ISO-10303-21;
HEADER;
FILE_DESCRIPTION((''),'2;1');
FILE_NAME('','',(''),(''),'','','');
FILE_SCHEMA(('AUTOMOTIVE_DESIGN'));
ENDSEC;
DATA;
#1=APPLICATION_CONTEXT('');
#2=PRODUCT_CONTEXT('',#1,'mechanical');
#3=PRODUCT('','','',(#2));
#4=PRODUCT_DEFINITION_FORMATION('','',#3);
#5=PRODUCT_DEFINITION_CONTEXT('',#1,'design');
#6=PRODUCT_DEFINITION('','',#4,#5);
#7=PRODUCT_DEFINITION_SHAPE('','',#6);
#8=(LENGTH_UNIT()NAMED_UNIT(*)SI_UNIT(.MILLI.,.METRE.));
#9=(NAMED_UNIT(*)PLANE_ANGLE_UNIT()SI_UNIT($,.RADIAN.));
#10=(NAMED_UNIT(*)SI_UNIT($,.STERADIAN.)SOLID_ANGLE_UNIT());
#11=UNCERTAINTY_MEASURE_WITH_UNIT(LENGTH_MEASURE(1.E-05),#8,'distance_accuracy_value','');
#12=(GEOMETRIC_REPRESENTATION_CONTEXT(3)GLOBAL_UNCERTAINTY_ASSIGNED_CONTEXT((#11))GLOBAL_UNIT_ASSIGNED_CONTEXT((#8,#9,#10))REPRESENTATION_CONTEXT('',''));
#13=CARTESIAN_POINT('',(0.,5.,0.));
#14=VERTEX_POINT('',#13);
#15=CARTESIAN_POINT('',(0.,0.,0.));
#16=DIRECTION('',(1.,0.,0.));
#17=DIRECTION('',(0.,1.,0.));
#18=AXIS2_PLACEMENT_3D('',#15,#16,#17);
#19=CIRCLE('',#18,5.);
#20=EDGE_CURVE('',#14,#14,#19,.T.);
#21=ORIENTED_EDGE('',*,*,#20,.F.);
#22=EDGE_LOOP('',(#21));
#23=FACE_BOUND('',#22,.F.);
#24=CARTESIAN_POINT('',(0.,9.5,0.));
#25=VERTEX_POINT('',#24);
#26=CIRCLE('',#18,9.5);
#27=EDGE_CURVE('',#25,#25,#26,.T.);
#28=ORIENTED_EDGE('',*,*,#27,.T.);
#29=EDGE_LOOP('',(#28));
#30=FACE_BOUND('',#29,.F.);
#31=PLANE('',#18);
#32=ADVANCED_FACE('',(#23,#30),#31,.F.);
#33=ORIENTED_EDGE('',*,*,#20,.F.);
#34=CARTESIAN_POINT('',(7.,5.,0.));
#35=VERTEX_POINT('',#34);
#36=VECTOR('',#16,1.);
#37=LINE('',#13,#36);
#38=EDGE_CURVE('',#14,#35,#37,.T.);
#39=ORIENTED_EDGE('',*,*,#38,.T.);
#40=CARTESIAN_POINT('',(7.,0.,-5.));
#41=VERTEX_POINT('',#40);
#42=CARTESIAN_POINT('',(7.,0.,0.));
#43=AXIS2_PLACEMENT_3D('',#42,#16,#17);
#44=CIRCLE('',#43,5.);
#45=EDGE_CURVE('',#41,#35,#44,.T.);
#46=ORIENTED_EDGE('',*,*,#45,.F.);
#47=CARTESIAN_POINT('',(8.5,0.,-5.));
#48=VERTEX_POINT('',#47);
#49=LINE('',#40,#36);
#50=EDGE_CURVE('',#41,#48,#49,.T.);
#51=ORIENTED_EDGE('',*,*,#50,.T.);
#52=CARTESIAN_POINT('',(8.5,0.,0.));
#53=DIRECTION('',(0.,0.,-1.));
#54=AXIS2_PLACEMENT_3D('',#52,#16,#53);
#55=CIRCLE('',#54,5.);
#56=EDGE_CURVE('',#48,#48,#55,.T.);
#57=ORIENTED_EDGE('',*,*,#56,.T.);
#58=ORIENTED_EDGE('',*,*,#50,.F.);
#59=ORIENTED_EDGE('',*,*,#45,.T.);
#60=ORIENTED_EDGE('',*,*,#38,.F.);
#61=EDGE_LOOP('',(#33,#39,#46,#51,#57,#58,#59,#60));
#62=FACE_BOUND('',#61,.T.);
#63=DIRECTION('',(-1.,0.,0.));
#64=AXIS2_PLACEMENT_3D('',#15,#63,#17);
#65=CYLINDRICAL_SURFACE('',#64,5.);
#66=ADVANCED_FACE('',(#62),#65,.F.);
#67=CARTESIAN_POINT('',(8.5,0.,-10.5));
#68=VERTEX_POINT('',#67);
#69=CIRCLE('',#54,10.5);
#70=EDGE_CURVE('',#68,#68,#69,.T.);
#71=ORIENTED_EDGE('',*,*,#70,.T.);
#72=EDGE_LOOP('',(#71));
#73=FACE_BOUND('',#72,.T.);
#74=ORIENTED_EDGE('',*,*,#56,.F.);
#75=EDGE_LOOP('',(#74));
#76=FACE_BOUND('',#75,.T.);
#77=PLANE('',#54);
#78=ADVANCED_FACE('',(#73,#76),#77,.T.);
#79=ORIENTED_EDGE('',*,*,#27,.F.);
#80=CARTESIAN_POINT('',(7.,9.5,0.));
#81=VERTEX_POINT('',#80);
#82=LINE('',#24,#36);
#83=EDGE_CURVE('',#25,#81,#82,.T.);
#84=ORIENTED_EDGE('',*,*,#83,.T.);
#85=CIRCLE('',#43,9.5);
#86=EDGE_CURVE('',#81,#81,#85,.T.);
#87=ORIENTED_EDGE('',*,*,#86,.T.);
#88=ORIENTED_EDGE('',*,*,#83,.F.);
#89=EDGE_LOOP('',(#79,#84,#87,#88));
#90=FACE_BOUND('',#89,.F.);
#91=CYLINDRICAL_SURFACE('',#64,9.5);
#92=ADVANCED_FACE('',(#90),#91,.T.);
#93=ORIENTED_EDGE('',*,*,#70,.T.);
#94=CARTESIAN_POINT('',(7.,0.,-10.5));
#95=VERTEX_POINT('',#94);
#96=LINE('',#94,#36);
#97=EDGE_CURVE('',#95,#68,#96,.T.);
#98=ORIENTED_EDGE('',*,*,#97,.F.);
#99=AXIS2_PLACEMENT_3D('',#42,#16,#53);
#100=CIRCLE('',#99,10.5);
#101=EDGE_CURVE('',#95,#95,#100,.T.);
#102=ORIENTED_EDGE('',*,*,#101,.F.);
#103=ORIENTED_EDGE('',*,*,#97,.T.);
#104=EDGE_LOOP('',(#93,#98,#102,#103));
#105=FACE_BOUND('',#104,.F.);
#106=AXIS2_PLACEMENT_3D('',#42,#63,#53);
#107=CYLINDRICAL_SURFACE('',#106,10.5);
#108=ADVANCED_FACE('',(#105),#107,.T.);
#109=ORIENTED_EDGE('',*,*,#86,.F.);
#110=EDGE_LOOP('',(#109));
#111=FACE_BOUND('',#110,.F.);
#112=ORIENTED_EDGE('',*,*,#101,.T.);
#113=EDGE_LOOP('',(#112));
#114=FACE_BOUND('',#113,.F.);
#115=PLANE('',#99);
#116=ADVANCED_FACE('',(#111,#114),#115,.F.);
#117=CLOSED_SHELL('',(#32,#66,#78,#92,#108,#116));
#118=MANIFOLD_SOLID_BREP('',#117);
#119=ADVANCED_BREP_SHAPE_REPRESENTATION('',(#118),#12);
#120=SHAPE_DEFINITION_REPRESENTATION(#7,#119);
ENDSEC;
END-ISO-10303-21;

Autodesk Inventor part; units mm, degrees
ref_plane "YZ Plane" through (0, 0, 0) normal (1, 0, 0) x (0, 1, 0)
ref_plane "XZ Plane" through (0, 0, 0) normal (0, 1, 0) x (-1, 0, 0)
ref_plane "XY Plane" through (0, 0, 0) normal (0, 0, 1) x (1, 0, 0)
sketch "Sketch1" plane through (0, 0, 0) normal (1, 0, 0) x (0, 1, 0)
  circle A0 centre (0, 0) radius 5
  circle A1 centre (0, 0) radius 9.5
  dimension "d0" = 10
  dimension "d1" = 19
extrude "Extrusion1" add sketch "Sketch1" along normal blind 7
sketch "Sketch2" plane through (7, 0, 0) normal (1, 0, 0) x (0, 0, -1)
  circle A0 centre (0, 0) radius 5
  circle A1 centre (0, 0) radius 10.5
  dimension "d4" = 10
  dimension "d5" = 21
extrude "Extrusion2" add sketch "Sketch2" along normal blind 1.5
properties part number "F63800" material "Steel, Alloy"
